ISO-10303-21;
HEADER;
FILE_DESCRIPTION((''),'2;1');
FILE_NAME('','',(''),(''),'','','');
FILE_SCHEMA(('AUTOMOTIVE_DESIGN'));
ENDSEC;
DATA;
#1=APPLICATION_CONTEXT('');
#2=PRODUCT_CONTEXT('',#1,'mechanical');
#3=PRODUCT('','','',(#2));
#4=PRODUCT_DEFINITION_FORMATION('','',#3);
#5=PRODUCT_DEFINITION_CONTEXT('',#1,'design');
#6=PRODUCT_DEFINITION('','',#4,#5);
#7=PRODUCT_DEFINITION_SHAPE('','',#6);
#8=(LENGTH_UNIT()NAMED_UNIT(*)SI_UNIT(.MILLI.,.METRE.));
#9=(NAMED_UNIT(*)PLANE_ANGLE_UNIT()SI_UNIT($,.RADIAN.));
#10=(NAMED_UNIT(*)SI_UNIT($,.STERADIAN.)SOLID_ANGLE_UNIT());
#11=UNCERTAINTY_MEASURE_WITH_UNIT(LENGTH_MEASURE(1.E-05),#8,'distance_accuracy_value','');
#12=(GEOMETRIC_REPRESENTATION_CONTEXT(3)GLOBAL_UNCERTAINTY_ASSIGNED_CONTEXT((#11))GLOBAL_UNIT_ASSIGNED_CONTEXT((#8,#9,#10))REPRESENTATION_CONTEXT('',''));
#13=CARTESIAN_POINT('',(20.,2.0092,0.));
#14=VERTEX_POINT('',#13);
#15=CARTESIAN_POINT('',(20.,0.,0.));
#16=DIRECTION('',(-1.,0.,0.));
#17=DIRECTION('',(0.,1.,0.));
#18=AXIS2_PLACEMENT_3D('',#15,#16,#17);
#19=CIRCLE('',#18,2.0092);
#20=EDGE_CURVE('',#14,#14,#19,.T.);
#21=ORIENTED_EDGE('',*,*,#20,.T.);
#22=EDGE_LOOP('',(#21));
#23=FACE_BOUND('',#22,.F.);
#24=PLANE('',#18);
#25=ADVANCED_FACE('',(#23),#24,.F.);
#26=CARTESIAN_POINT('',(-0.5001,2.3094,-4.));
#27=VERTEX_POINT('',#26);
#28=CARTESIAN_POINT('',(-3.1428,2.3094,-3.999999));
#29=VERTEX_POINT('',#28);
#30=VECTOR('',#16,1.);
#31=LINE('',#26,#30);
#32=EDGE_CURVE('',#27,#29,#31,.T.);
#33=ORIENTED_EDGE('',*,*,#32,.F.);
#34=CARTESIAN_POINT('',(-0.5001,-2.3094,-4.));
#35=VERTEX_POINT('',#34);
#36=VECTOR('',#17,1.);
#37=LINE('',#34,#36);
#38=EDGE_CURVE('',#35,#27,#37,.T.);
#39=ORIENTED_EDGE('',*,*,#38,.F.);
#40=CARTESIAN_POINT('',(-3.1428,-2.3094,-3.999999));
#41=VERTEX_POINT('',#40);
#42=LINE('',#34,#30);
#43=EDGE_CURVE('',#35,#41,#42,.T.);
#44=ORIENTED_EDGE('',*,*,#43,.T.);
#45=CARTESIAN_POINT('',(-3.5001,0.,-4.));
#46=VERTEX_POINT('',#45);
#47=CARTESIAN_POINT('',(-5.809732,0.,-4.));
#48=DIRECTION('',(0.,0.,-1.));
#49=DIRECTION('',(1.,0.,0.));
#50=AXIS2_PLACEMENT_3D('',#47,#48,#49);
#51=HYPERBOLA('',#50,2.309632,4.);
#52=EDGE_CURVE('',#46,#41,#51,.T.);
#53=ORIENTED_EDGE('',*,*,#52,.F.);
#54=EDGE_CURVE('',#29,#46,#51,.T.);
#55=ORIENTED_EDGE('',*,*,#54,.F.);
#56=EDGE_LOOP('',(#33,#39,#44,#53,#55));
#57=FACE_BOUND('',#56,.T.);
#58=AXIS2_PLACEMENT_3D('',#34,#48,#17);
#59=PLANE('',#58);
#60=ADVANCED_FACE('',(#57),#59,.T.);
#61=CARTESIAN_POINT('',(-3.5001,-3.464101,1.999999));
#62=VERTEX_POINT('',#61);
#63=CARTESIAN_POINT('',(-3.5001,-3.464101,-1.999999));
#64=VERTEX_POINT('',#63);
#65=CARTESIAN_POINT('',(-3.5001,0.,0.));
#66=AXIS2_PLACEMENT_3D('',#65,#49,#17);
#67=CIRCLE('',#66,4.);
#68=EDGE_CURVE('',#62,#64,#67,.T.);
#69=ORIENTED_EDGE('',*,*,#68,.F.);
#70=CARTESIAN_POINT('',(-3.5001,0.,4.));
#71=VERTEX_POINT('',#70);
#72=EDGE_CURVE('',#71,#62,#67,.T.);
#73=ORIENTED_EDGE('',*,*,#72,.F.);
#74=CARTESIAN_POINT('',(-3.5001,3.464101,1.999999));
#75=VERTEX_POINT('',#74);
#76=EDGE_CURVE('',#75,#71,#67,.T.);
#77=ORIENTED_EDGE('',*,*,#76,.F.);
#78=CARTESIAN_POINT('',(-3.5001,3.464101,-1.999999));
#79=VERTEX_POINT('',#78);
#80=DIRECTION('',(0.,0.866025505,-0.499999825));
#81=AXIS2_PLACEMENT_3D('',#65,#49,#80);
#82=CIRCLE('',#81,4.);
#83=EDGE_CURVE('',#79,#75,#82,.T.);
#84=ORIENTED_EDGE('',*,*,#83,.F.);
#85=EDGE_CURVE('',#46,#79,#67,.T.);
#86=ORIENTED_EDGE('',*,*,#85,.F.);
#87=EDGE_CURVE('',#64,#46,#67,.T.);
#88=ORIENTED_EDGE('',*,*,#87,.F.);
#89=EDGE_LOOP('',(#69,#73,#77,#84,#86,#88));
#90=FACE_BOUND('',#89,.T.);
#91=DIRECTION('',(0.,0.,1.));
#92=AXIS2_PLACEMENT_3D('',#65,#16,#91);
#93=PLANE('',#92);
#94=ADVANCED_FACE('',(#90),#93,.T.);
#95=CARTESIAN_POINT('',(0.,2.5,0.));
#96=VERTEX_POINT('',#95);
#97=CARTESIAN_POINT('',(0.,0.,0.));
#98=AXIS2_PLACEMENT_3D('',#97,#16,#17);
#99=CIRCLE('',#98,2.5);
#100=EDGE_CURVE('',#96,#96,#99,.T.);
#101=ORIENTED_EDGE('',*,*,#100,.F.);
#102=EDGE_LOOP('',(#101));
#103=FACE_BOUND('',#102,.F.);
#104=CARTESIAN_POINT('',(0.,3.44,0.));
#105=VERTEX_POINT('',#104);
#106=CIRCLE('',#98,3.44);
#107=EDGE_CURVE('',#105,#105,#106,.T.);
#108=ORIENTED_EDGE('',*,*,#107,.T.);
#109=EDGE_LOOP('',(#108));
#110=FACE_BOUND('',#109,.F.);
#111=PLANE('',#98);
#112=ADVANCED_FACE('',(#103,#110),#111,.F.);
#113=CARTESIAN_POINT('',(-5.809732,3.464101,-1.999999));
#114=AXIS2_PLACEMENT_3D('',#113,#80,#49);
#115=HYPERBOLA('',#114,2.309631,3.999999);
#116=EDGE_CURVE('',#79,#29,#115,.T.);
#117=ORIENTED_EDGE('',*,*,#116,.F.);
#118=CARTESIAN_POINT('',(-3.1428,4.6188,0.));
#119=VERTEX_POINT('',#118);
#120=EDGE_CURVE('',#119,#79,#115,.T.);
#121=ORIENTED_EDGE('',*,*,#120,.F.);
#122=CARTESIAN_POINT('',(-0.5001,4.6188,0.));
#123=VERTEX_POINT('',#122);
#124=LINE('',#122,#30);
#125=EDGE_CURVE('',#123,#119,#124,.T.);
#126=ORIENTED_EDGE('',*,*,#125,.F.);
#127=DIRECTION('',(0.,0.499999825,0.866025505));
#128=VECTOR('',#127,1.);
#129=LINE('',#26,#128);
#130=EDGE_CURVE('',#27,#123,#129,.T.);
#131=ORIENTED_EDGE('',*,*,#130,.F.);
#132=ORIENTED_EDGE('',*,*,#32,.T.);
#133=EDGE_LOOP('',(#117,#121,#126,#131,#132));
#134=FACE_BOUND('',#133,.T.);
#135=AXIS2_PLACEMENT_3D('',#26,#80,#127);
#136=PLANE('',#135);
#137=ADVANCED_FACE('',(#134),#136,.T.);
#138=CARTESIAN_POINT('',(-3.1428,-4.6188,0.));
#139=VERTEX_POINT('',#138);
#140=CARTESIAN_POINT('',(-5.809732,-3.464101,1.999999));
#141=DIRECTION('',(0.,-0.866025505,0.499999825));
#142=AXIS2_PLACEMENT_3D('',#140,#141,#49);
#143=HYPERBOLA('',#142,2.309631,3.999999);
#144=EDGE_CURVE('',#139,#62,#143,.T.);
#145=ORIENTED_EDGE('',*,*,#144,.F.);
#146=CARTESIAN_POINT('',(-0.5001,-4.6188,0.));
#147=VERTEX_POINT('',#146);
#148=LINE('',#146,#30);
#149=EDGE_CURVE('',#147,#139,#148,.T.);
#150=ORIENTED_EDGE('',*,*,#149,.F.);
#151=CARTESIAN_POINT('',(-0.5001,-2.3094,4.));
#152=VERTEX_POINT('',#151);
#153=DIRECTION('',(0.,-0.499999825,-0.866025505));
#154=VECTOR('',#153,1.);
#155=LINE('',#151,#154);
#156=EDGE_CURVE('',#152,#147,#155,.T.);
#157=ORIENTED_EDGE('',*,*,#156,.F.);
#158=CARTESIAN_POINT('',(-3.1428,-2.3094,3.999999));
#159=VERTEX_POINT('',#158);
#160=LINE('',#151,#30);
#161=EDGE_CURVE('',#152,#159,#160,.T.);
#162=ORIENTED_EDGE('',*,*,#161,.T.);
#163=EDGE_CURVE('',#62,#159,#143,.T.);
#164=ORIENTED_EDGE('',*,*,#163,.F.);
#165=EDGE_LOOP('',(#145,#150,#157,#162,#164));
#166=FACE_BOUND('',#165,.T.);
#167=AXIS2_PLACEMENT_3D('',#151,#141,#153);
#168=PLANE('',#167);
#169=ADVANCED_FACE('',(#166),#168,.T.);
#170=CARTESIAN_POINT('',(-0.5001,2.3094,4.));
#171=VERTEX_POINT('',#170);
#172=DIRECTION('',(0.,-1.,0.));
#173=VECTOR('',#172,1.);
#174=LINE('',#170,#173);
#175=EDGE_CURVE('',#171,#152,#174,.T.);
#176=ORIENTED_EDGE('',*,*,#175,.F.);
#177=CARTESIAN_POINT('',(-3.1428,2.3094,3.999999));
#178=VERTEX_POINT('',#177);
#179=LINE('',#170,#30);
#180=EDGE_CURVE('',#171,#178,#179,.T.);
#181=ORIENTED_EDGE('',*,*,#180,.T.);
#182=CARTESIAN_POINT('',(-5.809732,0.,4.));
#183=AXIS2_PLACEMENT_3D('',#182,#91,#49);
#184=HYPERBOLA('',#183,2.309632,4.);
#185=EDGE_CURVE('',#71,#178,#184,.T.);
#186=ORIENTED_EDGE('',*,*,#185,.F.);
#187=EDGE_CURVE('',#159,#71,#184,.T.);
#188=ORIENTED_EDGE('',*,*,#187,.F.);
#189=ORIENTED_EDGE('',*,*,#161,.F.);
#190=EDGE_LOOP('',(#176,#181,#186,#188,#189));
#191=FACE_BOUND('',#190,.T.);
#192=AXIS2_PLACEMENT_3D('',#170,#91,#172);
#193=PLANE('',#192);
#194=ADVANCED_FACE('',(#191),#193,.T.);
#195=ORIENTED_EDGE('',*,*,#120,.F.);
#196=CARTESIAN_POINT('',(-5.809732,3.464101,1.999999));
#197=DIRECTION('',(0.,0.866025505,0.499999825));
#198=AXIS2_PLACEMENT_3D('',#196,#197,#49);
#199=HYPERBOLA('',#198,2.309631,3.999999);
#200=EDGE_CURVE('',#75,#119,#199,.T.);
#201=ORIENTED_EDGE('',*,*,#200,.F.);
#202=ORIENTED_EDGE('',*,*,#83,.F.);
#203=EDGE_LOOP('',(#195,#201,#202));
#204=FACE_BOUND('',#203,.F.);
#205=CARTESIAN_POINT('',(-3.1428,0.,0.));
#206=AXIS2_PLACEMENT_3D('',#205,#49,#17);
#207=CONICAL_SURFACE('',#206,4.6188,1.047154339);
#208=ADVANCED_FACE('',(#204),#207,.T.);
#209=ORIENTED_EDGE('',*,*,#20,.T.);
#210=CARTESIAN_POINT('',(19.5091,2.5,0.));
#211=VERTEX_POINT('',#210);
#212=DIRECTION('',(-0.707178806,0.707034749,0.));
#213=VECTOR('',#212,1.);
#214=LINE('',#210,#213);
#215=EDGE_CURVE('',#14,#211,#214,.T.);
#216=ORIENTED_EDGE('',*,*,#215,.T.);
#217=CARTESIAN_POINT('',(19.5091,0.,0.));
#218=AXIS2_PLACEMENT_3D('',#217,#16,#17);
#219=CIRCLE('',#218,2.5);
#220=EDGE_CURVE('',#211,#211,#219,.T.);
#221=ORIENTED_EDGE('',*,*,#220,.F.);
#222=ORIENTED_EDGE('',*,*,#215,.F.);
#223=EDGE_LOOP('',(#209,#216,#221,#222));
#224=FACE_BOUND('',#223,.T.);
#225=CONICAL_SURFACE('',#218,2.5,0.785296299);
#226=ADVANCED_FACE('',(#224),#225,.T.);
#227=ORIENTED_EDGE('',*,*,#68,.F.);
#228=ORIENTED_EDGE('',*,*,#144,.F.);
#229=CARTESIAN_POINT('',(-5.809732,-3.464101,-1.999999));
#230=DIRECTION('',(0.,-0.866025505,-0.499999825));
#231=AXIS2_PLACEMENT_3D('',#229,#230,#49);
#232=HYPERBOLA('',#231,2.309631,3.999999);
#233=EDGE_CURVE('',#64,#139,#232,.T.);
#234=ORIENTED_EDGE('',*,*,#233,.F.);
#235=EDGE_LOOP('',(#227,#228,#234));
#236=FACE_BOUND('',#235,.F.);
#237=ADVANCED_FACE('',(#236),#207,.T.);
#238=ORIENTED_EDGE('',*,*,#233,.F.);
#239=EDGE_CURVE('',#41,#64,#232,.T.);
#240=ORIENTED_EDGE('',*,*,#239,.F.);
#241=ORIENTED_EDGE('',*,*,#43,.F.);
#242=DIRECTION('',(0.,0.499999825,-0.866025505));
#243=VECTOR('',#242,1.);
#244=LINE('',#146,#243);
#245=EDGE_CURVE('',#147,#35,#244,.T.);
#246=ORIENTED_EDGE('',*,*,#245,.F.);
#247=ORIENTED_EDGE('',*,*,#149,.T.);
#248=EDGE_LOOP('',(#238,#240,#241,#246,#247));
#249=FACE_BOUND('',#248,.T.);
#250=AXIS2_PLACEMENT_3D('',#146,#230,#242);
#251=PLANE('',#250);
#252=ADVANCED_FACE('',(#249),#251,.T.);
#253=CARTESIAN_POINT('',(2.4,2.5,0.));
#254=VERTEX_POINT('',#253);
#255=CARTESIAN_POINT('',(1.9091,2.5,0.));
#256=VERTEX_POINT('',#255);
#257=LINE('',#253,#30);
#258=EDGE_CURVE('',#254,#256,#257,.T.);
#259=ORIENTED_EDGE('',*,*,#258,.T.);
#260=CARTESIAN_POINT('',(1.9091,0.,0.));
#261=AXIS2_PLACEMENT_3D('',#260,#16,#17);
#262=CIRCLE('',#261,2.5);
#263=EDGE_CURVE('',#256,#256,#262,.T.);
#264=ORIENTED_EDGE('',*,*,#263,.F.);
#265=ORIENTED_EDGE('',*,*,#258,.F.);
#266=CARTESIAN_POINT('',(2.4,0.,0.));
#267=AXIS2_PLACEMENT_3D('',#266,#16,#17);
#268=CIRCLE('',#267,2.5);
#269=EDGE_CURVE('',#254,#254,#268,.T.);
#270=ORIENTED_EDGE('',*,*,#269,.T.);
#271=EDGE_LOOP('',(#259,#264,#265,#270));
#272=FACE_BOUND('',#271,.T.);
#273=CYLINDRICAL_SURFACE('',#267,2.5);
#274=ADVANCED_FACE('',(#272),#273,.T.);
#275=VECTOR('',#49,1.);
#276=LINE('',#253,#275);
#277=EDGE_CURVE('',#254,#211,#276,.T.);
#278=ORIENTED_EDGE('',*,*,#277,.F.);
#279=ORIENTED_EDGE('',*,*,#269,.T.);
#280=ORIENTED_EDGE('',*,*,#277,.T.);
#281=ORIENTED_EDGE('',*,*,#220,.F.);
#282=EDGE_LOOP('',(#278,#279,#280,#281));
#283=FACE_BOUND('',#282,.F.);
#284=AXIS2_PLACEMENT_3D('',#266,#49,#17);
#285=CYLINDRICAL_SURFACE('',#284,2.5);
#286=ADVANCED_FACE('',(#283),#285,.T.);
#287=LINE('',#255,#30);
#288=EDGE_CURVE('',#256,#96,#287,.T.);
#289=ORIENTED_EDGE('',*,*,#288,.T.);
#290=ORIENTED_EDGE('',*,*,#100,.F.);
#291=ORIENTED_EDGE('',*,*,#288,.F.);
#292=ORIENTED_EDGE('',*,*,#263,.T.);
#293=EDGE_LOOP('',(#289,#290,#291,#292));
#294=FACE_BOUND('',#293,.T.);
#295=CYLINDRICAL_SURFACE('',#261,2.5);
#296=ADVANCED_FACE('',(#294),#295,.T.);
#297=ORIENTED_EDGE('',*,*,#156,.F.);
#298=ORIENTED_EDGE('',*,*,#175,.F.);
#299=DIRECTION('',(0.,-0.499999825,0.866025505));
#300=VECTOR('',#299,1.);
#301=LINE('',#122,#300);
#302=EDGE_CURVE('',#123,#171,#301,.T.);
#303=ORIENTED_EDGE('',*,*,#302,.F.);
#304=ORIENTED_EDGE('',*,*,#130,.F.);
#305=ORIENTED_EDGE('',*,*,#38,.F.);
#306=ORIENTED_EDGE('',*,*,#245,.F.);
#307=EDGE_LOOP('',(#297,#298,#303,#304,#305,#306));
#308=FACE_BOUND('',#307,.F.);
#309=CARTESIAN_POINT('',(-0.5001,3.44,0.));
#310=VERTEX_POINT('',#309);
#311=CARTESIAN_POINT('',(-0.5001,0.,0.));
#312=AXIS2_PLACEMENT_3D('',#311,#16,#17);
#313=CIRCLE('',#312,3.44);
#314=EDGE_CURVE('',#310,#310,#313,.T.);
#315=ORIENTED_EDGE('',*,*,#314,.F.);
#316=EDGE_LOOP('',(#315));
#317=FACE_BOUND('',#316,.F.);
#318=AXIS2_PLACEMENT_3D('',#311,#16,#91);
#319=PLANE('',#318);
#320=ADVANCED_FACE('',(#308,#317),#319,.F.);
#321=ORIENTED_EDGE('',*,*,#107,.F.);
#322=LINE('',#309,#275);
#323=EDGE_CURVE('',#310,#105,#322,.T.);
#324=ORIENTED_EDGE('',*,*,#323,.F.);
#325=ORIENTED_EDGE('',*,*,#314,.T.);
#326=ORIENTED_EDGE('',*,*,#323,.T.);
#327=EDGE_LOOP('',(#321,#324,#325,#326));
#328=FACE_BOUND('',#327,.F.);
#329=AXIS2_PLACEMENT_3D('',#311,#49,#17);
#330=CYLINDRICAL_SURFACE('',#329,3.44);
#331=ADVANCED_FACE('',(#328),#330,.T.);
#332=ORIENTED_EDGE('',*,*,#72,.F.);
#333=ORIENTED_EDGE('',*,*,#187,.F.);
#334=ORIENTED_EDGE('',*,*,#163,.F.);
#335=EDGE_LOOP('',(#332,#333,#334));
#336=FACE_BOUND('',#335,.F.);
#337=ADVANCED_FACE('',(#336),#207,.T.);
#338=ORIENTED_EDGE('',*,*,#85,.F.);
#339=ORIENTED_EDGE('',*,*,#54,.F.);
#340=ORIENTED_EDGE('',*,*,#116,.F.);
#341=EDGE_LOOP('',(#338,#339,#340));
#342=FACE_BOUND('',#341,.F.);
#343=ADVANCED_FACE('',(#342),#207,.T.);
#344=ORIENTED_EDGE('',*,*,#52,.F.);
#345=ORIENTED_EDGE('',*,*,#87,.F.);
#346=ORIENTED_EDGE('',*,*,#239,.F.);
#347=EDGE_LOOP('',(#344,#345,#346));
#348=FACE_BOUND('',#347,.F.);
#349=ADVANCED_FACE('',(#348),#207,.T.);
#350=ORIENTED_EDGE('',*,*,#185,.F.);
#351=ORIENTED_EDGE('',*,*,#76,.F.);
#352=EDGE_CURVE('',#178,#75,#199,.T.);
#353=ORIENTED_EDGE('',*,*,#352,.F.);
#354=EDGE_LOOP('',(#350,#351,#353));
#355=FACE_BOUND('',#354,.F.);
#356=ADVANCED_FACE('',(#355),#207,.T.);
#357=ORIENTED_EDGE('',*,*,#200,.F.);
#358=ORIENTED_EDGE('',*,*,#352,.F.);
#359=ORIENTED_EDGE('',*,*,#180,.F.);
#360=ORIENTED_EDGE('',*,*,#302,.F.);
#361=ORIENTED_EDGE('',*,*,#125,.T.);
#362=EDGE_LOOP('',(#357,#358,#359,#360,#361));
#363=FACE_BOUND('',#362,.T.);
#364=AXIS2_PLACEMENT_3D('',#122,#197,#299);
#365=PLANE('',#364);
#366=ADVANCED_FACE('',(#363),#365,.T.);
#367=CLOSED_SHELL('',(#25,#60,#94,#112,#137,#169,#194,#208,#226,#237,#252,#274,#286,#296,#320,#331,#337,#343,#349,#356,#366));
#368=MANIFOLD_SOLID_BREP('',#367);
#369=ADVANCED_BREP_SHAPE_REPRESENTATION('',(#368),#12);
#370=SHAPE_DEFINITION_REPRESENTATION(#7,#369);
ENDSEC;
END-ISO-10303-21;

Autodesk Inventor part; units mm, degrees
ref_plane "YZ Plane" through (0, 0, 0) normal (1, 0, 0) x (0, 1, 0)
ref_plane "XZ Plane" through (0, 0, 0) normal (0, 1, 0) x (-1, 0, 0)
sketch "Sketch1" plane through (0, 0, 0) normal (0, 0, 1) x (1, 0, 0)
  line L0 (0, 3.44) -> (0, 2.5)
  line L1 (2.4, 2.5) -> (20, 2.5)
  line L2 (20, 2.5) -> (20, 0)
  line L3 (20, 0) -> (-0.5001, 0)
  line L4 (-4.6001, 0) -> (24.1, 0) projected
  line L5 (-0.5001, 0) -> (-0.5001, 3.44)
  line L6 (-0.5001, 3.44) -> (0, 3.44)
  line L7 (2.4, 2.5) -> (1.9091, 2.5)
  line L8 (1.9091, 2.5) -> (0, 2.5)
  line L9 (0, -0.688) -> (0, 4.128) projected
  dimension "d0" = 20
  dimension "d1" = 17.6
  dimension "d2" = 5
  dimension "d9" = 0.5001
  dimension "d10" = 6.88
  dimension "d13" = 0.4909
  dimension "d14" = 5
revolve "Body" add sketch "Sketch1" angle 360 about axis through (20, 0, 0) along (-1, 0, 0)
sketch "Sketch2" plane through (-0.5001, 0, 0) normal (-1, 0, 0) x (0, 0, 1)
  line L0 (0, 4.6188) -> (4, 2.3094)
  line L1 (4, 2.3094) -> (4, -2.3094)
  line L2 (4, -2.3094) -> (0, -4.6188)
  line L3 (0, -4.6188) -> (-4, -2.3094)
  line L4 (-4, -2.3094) -> (-4, 2.3094)
  line L5 (-4, 2.3094) -> (0, 4.6188)
  point P0 (0, 0)
  point P1 (0, 0)
  dimension "d11" = 8
extrude "Head" add sketch "Sketch2" along normal blind 3
sketch "Sketch4" plane through (0, 0, 0) normal (0, 0, 1) x (1, 0, 0)
  line L0 (-3.5001, 4) -> (-3.5001, 4.6188)
  line L1 (-3.5001, 4.6188) -> (-3.1428, 4.6188)
  line L2 (-3.1428, 4.6188) -> (-3.5001, 4)
  line L3 (-4.1001, 0) -> (0.0999, 0) projected
  line L4 (-0.5001, 4.6188) -> (-3.5001, 4.6188) projected
  line L5 (-3.5001, 2.3094) -> (-3.5001, 4.6188) projected
  dimension "d5" = 30
  dimension "d19" = 8
revolve "Chamfer1" cut sketch "Sketch4" angle 360 about axis through (-10, 0, 0) along (1, 0, 0)
thread "Thread" size "M5x0.8" class "6g" standard "ISO Metric profile" length 17.6
chamfer "Chamfer2" distance 0.4908 distance2 0.4909 1 edges at (20, -2.5, 0) measured on face at (20, 0.7379, -0.3873)
ref_plane "Work Plane1" through (1.525, 0, 0) normal (0, 0, 1) x (1, 0, 0)
equation "\"d0\" = NLG"
equation "\"d1\" = GEL"
equation "\"d2\" = GD"
equation "\"d10\" = SD2"
equation "\"d14\" = BDM"
equation "\"d11\" = SW"
equation "\"d3\" = KOH - SD"
equation "\"d5\" = ANG1"
equation "\"d19\" = SW0"
equation "\"d15\" = GEL"
equation "\"d6\" = -0.5 * SPD + 0.5 * GD"
equation "\"NLG\" = 20"
equation "\"GD\" = NND"
equation "\"BDM\" = NND"
equation "\"KOH\" = 3.5"
equation "\"GEL\" = 17.6"
equation "\"SW\" = 8"
equation "\"SW0\" = SW"
equation "\"SPD\" = NND - 1.2269 * PTC"
equation "\"SD2\" = 6.88"
equation "\"SD\" = 0.5"
equation "\"ANG1\" = 30deg"
equation "\"GAL\" = 0.61345 * PTC"
equation "\"GUL\" = 0.61345 * PTC"
equation "\"RR\" = 0.2"
equation "\"GD1\" = THREADDIA - 1.2269 * PTC"
equation "\"THREADDIA\" = 5"
equation "\"SDH\" = SD2"
equation "\"SDHG\" = 2.4"
equation "\"TOA\" = 30deg"
equation "\"PTC\" = 0.8"
equation "\"NND\" = 5"
equation "\"E0\" = 9.24"
properties part number "ISO 4017 - M5 x 20" material "Stainless Steel, 440C"
